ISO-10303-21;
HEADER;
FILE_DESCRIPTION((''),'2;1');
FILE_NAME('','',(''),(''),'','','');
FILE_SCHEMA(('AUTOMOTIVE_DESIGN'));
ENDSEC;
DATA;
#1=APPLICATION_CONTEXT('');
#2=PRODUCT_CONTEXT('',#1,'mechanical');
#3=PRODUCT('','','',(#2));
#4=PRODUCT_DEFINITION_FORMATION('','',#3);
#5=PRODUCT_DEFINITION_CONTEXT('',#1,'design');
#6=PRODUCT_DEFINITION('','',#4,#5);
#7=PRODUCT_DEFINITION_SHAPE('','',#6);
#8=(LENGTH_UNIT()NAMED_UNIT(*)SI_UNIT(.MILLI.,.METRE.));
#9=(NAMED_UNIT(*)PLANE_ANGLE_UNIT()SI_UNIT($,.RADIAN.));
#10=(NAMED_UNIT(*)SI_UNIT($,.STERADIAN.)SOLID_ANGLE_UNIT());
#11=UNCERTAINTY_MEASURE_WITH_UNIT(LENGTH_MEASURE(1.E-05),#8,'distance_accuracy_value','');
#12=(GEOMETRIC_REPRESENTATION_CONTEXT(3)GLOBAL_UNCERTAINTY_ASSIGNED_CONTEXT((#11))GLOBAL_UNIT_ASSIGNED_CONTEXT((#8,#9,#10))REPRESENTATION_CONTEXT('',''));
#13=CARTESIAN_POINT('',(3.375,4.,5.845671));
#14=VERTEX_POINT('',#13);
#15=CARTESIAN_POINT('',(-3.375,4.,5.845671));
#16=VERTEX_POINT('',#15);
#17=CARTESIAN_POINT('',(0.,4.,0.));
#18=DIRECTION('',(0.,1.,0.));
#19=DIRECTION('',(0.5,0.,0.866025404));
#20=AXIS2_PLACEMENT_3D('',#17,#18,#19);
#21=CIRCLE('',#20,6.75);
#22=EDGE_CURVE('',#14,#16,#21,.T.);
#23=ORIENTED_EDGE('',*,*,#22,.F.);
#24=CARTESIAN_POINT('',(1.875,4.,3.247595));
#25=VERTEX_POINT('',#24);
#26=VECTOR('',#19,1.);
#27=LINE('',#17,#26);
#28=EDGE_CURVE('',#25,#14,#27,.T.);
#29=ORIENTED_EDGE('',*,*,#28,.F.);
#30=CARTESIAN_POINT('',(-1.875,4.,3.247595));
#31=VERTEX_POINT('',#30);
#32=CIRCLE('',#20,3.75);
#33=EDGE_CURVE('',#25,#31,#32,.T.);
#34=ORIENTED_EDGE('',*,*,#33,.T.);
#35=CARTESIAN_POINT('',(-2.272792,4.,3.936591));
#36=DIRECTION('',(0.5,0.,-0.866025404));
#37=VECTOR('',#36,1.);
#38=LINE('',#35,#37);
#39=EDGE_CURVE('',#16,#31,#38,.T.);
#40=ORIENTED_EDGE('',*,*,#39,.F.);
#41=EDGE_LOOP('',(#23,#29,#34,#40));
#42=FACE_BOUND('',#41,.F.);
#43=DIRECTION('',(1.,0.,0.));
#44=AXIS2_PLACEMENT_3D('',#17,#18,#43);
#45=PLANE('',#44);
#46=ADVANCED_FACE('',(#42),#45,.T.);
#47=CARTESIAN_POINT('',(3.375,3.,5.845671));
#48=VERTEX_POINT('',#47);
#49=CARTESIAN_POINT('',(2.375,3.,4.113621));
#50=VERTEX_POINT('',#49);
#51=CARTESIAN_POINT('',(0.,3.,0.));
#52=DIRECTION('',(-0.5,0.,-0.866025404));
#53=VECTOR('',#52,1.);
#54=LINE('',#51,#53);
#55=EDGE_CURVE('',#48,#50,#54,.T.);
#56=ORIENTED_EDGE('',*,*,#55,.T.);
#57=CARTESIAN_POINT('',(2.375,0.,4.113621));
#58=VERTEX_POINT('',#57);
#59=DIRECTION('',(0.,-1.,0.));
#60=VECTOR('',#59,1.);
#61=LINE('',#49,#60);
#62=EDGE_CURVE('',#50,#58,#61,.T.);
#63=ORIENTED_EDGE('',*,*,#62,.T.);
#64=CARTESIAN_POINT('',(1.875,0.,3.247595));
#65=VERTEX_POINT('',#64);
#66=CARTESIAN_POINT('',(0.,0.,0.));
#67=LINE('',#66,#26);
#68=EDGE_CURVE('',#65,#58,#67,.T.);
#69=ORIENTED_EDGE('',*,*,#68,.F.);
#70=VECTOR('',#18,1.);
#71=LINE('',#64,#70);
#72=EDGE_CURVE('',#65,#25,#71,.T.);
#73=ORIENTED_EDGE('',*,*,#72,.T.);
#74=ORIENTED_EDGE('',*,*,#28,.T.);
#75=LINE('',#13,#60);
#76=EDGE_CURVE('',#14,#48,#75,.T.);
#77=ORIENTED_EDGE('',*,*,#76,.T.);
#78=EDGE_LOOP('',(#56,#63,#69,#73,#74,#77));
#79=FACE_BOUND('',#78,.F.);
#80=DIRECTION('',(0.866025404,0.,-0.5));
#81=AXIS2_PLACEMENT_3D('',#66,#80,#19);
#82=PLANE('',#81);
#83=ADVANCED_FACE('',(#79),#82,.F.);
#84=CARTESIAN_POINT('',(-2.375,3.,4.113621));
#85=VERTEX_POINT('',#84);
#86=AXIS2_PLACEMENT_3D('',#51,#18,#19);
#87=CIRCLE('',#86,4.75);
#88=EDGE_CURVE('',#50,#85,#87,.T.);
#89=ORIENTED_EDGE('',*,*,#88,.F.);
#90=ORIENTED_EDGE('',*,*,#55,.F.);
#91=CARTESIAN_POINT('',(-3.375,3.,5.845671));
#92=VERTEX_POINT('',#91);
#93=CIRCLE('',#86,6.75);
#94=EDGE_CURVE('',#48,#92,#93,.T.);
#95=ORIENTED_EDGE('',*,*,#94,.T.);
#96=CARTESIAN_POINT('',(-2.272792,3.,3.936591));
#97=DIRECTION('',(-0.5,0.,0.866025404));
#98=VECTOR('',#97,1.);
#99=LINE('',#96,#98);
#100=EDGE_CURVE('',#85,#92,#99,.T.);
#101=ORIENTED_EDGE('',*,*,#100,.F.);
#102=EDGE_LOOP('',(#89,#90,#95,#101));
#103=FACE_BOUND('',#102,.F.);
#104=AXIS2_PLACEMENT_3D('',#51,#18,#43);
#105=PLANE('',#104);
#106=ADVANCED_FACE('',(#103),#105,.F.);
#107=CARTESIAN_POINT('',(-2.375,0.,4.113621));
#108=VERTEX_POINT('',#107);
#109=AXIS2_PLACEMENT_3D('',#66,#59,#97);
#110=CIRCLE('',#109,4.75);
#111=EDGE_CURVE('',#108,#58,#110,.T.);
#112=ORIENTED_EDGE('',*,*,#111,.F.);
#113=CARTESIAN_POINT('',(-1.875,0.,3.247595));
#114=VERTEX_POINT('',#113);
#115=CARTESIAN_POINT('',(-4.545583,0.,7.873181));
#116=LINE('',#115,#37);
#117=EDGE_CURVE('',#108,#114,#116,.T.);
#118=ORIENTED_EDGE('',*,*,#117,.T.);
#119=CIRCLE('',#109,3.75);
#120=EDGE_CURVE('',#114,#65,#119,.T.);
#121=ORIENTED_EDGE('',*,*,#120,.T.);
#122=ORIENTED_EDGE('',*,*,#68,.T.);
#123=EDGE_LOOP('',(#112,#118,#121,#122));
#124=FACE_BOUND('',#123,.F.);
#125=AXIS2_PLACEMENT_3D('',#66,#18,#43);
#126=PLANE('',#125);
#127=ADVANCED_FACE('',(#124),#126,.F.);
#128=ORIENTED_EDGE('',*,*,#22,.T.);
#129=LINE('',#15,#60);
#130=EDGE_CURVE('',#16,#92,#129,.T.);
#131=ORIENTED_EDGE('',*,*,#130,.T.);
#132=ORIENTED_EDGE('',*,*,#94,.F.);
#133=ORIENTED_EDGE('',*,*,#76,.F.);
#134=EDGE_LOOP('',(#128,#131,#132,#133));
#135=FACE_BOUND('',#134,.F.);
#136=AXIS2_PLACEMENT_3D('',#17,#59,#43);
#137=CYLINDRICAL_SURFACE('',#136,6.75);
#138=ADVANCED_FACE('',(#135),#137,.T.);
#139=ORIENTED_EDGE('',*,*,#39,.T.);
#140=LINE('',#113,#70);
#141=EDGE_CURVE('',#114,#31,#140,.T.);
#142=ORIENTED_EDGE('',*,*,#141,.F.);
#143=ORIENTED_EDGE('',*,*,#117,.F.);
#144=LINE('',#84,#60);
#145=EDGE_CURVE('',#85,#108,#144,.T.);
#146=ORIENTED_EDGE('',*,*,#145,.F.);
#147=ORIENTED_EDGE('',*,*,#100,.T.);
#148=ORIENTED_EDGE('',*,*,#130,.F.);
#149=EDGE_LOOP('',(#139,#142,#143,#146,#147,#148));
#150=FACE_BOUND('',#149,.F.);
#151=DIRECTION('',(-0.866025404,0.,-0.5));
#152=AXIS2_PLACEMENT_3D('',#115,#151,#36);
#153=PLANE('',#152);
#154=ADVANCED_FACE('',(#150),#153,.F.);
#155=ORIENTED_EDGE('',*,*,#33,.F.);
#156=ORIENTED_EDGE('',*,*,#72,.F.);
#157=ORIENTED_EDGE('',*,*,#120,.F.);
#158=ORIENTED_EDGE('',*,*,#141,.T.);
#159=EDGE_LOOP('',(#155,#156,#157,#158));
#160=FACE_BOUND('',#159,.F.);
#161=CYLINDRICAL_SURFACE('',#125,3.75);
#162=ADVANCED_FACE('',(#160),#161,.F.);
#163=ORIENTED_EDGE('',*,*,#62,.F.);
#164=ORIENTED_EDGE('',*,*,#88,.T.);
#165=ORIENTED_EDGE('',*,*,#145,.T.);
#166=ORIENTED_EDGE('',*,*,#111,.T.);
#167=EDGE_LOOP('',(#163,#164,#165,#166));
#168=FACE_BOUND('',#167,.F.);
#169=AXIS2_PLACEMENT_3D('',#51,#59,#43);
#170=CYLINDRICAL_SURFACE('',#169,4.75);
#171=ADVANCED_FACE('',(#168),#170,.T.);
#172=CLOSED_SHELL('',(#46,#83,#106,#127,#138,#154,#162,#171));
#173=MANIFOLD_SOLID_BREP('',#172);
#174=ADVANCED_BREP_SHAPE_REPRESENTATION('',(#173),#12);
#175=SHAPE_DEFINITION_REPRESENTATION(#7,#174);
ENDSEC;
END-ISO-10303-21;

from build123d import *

# Parameters (mm, degrees)
CUT_EXTRUDE1_DEPTH = 10
SCALE1_SCALE       = 0.5


with BuildPart() as part:
    # Sketch1 → Revolve1 (revolve)
    with BuildSketch(Plane.XY):
        Polygon((7.5, 0), (7.5, 8), (13.5, 8), (13.5, 6), (9.5, 6), (9.5, 0), align=None)
    revolve(axis=Axis((0, 0, 0), (0, 1, 0)))

    # Sketch2 → Cut-Extrude1 (cut)
    with BuildSketch(Plane(origin=(0, 0, 0), x_dir=(1, 0, 0), z_dir=(0, 1, 0))):
        Polygon((-9.091166867, -15.746362913), (0, 0), (8.625529774, -14.939855811), align=None)
    extrude(amount=CUT_EXTRUDE1_DEPTH, mode=Mode.SUBTRACT)


with BuildPart() as part_1:
    # Scale1: scaled about (0, 0, 0)
    add(part.part.scale(SCALE1_SCALE))


solid = part_1.part
